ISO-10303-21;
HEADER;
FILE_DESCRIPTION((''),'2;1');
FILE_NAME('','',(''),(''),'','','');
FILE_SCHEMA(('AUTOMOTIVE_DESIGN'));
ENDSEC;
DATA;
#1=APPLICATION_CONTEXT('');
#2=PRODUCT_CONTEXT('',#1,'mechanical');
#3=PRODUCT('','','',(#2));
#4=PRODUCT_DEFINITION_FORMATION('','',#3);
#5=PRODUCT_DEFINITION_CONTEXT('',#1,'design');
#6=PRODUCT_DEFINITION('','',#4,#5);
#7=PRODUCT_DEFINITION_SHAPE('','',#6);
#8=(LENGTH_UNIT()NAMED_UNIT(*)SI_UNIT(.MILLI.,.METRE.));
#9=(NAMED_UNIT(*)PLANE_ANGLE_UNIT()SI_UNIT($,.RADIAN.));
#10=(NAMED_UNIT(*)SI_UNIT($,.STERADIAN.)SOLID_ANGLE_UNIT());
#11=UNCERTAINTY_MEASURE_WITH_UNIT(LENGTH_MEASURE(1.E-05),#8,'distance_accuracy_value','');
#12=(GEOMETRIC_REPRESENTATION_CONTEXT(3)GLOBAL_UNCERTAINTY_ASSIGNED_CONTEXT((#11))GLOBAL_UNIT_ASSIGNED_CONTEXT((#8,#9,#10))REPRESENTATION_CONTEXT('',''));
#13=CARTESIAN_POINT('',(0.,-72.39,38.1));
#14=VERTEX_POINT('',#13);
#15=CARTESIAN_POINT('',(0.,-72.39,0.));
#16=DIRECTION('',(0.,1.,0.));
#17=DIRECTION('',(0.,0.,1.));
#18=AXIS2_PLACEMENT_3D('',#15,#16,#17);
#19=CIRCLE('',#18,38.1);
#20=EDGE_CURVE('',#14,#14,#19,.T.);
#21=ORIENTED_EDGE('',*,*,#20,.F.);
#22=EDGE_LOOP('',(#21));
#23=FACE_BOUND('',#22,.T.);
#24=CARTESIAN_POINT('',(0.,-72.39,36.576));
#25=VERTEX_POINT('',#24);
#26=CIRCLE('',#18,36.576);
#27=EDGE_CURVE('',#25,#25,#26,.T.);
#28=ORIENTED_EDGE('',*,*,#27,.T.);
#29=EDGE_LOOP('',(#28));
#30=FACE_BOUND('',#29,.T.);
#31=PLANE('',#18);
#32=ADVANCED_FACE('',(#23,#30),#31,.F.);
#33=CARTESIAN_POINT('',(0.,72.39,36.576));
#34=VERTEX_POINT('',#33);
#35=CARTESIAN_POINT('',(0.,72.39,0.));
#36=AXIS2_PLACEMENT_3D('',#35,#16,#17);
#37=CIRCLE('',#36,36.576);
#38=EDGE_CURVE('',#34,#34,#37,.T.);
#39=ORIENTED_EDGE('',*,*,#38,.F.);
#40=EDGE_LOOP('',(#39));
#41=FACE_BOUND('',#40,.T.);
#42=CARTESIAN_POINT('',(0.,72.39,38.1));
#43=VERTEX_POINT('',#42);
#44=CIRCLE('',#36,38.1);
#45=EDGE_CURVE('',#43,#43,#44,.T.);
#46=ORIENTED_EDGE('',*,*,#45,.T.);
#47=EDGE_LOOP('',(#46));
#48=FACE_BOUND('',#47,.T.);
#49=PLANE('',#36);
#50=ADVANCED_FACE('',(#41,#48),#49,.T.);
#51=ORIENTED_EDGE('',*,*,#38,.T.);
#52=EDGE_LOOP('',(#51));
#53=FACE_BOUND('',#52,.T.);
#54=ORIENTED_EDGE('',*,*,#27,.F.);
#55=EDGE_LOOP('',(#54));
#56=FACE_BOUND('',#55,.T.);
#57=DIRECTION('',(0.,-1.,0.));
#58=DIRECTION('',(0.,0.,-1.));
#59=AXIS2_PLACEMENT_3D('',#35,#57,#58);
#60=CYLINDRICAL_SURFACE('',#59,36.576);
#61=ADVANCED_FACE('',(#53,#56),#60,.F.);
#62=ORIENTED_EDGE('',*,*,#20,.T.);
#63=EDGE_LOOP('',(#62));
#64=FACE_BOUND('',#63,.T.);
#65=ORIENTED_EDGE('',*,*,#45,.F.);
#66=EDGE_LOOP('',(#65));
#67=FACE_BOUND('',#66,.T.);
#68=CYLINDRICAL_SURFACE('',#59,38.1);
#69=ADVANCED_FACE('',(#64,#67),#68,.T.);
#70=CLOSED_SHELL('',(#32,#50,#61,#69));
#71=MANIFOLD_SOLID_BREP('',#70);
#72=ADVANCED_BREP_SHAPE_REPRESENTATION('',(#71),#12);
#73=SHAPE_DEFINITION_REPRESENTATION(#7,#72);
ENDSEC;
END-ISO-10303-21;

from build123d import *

# Parameters (mm, degrees)
SKETCH1_R           = 38.1
SKETCH1_R_2         = 36.576
BOSS_EXTRUDE1_DEPTH = 72.39


with BuildPart() as part:
    # Sketch1 → Boss-Extrude1 (new body, symmetric)
    with BuildSketch(Plane(origin=(0, 0, 0), x_dir=(1, 0, 0), z_dir=(0, 1, 0))):
        Circle(SKETCH1_R)
        Circle(SKETCH1_R_2, mode=Mode.SUBTRACT)
    extrude(amount=BOSS_EXTRUDE1_DEPTH, both=True)


solid = part.part
